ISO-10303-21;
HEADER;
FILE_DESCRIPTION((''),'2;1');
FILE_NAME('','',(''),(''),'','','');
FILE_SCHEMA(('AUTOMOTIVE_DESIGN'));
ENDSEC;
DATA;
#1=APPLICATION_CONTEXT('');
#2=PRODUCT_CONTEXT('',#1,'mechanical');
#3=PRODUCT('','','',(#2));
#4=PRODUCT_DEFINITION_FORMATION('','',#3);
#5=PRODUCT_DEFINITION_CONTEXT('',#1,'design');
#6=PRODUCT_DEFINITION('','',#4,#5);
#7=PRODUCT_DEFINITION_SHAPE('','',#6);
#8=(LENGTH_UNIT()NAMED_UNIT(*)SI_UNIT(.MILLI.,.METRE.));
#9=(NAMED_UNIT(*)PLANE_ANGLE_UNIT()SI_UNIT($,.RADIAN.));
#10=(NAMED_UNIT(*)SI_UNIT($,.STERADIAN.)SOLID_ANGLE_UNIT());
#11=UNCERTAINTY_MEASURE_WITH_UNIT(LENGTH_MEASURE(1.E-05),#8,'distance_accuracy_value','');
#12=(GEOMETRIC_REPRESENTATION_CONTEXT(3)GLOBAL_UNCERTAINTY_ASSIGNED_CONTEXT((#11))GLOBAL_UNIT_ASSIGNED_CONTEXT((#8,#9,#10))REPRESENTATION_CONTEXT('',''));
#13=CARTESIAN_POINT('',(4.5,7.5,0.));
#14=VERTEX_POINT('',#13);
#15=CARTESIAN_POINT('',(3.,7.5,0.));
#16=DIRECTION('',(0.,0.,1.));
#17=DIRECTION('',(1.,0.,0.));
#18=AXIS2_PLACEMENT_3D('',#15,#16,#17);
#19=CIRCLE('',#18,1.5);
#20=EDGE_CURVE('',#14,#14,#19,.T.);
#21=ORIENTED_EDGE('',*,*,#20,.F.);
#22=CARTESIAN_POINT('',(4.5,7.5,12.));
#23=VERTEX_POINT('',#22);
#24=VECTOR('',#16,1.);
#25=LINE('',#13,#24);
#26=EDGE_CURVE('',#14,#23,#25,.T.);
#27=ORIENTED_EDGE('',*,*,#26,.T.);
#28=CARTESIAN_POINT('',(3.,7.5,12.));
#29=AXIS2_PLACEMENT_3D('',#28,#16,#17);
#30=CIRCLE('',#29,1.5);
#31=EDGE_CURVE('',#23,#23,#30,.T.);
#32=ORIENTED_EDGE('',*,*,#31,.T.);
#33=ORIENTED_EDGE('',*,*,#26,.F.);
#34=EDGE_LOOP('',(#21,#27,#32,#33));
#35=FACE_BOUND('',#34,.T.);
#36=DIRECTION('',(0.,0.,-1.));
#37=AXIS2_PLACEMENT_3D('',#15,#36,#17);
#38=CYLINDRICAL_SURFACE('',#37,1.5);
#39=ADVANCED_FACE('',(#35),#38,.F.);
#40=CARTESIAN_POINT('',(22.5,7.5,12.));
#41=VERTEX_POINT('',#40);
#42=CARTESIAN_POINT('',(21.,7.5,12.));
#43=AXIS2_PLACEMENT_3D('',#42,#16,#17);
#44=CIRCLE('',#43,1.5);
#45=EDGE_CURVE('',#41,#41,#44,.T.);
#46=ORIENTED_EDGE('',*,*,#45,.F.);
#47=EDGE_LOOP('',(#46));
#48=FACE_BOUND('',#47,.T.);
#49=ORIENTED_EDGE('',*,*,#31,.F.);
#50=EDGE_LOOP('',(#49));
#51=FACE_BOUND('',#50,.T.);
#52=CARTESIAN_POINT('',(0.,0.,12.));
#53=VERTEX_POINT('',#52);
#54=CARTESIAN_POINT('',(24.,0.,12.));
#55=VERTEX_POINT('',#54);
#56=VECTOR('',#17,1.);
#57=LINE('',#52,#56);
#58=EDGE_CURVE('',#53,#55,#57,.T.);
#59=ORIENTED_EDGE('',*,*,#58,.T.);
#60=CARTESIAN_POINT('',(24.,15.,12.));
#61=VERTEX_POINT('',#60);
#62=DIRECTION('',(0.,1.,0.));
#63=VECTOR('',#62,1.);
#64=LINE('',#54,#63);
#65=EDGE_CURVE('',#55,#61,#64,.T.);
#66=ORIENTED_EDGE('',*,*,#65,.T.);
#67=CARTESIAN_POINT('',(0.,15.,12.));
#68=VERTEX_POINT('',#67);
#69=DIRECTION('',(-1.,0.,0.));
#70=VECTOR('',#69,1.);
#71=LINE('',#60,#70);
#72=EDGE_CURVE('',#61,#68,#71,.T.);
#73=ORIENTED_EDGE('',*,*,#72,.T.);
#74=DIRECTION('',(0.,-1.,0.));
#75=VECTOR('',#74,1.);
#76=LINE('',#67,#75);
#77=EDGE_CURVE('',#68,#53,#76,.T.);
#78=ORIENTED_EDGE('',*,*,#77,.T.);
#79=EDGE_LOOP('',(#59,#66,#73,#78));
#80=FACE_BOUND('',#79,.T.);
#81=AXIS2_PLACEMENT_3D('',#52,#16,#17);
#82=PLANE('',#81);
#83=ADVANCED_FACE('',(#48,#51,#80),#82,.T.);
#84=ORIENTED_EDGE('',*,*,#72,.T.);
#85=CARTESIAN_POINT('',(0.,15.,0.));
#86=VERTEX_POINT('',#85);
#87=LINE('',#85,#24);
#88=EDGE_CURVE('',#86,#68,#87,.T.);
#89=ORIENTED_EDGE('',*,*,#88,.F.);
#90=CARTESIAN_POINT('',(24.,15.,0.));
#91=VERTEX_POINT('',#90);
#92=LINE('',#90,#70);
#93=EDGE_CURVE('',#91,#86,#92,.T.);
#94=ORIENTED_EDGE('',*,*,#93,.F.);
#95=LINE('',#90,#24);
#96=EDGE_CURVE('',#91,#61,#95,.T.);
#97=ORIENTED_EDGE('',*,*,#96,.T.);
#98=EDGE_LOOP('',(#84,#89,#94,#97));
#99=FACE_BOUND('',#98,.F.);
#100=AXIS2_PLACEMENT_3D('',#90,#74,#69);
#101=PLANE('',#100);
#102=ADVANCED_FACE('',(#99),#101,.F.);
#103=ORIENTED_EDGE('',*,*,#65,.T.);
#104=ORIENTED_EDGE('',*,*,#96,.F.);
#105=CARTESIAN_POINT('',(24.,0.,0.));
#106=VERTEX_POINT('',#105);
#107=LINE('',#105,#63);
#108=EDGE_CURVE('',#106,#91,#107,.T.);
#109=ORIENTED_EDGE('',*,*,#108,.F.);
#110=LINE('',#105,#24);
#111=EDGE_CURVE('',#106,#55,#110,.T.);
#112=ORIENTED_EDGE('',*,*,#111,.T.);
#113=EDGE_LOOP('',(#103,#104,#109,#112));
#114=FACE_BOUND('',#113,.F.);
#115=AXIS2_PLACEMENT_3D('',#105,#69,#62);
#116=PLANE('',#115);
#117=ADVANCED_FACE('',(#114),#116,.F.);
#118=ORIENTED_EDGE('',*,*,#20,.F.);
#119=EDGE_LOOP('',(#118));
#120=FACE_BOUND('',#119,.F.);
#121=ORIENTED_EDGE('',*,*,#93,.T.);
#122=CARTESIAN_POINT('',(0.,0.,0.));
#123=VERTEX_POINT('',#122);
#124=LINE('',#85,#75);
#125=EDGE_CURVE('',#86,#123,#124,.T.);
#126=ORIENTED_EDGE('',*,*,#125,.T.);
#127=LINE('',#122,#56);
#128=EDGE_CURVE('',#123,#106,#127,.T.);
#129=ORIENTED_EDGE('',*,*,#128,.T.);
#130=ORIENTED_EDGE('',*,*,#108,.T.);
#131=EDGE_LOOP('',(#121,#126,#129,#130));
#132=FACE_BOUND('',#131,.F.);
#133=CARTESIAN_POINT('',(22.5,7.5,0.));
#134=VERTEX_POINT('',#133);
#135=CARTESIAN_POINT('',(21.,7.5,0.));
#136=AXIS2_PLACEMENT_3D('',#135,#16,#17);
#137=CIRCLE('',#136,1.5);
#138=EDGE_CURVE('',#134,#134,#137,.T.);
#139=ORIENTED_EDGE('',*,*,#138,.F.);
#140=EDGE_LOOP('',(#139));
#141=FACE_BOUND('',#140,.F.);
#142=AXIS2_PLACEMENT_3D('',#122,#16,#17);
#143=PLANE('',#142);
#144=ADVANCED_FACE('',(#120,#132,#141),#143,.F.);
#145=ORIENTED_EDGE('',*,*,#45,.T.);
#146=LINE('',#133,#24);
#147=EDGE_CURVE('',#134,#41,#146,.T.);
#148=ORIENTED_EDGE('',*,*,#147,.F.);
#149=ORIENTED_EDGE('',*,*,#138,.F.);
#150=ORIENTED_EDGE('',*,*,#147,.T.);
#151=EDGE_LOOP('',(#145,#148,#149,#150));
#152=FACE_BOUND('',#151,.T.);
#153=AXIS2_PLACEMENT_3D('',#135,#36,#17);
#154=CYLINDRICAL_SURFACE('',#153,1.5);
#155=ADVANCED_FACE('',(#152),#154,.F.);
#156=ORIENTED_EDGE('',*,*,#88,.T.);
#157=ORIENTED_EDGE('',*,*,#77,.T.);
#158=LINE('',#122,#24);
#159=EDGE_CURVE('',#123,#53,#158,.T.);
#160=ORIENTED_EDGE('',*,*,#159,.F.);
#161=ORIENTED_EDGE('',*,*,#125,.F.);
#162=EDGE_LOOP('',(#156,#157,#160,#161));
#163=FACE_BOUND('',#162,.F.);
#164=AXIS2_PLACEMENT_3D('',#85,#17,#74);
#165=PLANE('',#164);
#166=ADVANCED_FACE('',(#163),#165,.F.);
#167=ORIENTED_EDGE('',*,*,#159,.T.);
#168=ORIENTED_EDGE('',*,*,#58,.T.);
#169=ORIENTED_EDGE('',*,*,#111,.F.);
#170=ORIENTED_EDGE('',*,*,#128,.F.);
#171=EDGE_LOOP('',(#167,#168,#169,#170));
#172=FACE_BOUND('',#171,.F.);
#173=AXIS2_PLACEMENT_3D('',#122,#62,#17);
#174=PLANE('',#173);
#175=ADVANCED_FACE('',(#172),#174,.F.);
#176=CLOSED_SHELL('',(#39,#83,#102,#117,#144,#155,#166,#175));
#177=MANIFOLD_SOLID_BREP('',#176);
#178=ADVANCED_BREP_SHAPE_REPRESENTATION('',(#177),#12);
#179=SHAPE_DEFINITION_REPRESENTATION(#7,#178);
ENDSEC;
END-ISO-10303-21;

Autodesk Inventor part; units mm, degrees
ref_plane "YZ Plane" through (0, 0, 0) normal (1, 0, 0) x (0, 1, 0)
ref_plane "XZ Plane" through (0, 0, 0) normal (0, 1, 0) x (-1, 0, 0)
ref_plane "XY Plane" through (0, 0, 0) normal (0, 0, 1) x (1, 0, 0)
sketch "Sketch1" plane through (0, 0, 0) normal (0, 0, 1) x (1, 0, 0)
  line L0 (0, 0) -> (24, 0)
  line L1 (24, 0) -> (24, 15)
  line L2 (24, 15) -> (0, 15)
  line L3 (0, 15) -> (0, 0)
  circle A0 centre (3, 7.5) radius 1.5
  circle A1 centre (21, 7.5) radius 1.5
  dimension "d0" = 24
  dimension "d1" = 15
  dimension "d2" = 3
  dimension "d3" = 3
  dimension "d4" = 7.5
  dimension "d5" = 3
  dimension "d6" = 3
  dimension "d7" = 7.5
extrude "Extrusion1" add sketch "Sketch1" along normal blind 12
properties part number "00_Laser_HeatSink"
